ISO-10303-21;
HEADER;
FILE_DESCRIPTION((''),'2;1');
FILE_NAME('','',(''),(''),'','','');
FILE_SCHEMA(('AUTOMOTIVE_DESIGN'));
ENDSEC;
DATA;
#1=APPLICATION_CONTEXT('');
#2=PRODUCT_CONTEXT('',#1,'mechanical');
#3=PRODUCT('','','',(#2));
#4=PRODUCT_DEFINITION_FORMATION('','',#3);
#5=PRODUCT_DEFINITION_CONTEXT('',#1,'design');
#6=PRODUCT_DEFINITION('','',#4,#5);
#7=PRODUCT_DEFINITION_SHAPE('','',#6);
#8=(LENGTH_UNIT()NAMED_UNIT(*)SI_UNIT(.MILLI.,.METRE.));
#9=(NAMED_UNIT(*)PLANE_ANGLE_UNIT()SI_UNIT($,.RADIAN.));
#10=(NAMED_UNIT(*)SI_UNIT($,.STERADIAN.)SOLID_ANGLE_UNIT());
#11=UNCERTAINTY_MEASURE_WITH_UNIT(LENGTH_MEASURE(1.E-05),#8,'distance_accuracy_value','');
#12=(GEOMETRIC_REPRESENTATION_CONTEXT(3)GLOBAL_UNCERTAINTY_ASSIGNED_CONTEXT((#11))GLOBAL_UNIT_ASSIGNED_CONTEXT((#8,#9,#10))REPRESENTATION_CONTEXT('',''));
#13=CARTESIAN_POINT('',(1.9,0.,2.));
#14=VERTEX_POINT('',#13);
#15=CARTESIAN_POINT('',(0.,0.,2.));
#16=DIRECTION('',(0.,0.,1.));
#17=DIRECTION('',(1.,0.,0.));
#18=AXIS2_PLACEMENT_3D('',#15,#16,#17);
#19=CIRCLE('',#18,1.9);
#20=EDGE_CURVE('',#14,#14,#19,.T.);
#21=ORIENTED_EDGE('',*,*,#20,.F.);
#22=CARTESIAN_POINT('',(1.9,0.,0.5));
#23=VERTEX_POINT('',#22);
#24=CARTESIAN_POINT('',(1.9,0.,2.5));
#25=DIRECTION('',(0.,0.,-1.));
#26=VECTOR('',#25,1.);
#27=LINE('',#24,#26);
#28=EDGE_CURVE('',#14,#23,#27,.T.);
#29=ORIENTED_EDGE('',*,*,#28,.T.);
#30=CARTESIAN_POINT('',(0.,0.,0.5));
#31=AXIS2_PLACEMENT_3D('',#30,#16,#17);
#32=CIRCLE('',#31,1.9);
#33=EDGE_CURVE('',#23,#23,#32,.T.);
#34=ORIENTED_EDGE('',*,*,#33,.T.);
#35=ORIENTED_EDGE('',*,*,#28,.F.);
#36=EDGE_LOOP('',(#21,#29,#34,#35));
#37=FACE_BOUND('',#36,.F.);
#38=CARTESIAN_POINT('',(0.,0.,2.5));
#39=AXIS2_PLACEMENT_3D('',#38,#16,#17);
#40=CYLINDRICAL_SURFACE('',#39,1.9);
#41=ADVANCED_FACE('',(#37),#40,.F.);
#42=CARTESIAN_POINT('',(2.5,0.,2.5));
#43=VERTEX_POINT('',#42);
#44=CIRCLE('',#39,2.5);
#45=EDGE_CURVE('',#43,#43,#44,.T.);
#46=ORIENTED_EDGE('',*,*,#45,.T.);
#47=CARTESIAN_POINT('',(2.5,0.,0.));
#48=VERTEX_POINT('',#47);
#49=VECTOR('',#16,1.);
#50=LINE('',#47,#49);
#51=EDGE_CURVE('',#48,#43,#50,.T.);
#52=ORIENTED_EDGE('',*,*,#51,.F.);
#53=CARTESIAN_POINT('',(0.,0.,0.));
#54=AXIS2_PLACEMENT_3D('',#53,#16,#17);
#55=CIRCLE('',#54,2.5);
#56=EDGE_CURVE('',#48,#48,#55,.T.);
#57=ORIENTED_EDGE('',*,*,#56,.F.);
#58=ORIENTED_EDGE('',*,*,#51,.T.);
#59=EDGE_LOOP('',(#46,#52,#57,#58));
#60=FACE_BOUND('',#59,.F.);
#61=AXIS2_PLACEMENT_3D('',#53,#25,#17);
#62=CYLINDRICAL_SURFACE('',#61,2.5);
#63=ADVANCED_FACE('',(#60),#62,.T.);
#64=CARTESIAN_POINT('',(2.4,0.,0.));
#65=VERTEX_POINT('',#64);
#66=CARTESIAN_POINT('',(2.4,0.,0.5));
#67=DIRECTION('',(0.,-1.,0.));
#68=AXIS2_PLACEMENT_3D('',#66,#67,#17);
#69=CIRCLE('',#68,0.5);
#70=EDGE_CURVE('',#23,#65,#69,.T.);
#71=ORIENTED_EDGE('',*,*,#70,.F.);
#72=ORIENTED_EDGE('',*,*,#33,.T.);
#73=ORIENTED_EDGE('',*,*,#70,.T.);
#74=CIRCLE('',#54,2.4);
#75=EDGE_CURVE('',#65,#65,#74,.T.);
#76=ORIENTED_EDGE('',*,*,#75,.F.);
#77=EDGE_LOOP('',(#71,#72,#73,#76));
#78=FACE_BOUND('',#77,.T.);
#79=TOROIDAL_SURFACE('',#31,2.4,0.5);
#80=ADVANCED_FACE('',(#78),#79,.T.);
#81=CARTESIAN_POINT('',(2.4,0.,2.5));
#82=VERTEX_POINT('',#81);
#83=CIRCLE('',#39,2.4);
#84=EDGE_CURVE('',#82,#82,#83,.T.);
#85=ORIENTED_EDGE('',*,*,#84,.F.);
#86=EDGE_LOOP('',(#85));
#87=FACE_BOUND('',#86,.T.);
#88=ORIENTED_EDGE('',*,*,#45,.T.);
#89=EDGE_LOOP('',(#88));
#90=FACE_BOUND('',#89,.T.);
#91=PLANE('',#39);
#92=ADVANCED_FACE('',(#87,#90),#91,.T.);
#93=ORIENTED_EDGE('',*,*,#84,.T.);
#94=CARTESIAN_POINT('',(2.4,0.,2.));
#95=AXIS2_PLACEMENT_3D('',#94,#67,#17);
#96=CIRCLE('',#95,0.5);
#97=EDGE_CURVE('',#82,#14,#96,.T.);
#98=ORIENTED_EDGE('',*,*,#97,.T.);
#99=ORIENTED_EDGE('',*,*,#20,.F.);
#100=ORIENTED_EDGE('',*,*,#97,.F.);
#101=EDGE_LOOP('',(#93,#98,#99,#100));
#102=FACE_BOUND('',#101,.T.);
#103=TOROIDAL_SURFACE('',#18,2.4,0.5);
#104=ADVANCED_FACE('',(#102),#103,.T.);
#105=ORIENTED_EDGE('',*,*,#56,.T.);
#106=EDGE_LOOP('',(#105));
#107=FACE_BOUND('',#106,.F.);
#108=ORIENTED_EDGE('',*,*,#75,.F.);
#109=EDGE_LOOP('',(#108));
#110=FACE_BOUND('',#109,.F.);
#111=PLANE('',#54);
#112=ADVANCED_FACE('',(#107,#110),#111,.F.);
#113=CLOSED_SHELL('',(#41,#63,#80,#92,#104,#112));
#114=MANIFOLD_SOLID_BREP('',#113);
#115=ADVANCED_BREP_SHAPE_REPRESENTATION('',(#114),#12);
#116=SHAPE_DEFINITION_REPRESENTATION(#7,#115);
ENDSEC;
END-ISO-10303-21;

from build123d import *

# Parameters (mm, degrees)
SKETCH_R     = 2.5
PAD_DEPTH    = 2.5
SKETCH001_R  = 1.9
POCKET_DEPTH = 5
FILLET_R     = 0.5
FILLET001_R  = 0.5


with BuildPart() as part:
    # Sketch → Pad (new body)
    with BuildSketch(Plane.XY):
        Circle(SKETCH_R)
    extrude(amount=PAD_DEPTH)

    # Sketch001 (on Face3 of Pad) → Pocket (cut)
    with BuildSketch(Plane.XY.offset(2.5)):
        Circle(SKETCH001_R)
    extrude(amount=-POCKET_DEPTH, mode=Mode.SUBTRACT)

    # Fillet
    fillet_edges = [part.edges().sort_by_distance(p)[0] for p in [
        (-1.9, 0, 2.5),
    ]]
    fillet(fillet_edges, radius=FILLET_R)

    # Fillet001
    fillet001_edges = [part.edges().sort_by_distance(p)[0] for p in [
        (-1.9, 0, 0),
    ]]
    fillet(fillet001_edges, radius=FILLET001_R)


solid = part.part
